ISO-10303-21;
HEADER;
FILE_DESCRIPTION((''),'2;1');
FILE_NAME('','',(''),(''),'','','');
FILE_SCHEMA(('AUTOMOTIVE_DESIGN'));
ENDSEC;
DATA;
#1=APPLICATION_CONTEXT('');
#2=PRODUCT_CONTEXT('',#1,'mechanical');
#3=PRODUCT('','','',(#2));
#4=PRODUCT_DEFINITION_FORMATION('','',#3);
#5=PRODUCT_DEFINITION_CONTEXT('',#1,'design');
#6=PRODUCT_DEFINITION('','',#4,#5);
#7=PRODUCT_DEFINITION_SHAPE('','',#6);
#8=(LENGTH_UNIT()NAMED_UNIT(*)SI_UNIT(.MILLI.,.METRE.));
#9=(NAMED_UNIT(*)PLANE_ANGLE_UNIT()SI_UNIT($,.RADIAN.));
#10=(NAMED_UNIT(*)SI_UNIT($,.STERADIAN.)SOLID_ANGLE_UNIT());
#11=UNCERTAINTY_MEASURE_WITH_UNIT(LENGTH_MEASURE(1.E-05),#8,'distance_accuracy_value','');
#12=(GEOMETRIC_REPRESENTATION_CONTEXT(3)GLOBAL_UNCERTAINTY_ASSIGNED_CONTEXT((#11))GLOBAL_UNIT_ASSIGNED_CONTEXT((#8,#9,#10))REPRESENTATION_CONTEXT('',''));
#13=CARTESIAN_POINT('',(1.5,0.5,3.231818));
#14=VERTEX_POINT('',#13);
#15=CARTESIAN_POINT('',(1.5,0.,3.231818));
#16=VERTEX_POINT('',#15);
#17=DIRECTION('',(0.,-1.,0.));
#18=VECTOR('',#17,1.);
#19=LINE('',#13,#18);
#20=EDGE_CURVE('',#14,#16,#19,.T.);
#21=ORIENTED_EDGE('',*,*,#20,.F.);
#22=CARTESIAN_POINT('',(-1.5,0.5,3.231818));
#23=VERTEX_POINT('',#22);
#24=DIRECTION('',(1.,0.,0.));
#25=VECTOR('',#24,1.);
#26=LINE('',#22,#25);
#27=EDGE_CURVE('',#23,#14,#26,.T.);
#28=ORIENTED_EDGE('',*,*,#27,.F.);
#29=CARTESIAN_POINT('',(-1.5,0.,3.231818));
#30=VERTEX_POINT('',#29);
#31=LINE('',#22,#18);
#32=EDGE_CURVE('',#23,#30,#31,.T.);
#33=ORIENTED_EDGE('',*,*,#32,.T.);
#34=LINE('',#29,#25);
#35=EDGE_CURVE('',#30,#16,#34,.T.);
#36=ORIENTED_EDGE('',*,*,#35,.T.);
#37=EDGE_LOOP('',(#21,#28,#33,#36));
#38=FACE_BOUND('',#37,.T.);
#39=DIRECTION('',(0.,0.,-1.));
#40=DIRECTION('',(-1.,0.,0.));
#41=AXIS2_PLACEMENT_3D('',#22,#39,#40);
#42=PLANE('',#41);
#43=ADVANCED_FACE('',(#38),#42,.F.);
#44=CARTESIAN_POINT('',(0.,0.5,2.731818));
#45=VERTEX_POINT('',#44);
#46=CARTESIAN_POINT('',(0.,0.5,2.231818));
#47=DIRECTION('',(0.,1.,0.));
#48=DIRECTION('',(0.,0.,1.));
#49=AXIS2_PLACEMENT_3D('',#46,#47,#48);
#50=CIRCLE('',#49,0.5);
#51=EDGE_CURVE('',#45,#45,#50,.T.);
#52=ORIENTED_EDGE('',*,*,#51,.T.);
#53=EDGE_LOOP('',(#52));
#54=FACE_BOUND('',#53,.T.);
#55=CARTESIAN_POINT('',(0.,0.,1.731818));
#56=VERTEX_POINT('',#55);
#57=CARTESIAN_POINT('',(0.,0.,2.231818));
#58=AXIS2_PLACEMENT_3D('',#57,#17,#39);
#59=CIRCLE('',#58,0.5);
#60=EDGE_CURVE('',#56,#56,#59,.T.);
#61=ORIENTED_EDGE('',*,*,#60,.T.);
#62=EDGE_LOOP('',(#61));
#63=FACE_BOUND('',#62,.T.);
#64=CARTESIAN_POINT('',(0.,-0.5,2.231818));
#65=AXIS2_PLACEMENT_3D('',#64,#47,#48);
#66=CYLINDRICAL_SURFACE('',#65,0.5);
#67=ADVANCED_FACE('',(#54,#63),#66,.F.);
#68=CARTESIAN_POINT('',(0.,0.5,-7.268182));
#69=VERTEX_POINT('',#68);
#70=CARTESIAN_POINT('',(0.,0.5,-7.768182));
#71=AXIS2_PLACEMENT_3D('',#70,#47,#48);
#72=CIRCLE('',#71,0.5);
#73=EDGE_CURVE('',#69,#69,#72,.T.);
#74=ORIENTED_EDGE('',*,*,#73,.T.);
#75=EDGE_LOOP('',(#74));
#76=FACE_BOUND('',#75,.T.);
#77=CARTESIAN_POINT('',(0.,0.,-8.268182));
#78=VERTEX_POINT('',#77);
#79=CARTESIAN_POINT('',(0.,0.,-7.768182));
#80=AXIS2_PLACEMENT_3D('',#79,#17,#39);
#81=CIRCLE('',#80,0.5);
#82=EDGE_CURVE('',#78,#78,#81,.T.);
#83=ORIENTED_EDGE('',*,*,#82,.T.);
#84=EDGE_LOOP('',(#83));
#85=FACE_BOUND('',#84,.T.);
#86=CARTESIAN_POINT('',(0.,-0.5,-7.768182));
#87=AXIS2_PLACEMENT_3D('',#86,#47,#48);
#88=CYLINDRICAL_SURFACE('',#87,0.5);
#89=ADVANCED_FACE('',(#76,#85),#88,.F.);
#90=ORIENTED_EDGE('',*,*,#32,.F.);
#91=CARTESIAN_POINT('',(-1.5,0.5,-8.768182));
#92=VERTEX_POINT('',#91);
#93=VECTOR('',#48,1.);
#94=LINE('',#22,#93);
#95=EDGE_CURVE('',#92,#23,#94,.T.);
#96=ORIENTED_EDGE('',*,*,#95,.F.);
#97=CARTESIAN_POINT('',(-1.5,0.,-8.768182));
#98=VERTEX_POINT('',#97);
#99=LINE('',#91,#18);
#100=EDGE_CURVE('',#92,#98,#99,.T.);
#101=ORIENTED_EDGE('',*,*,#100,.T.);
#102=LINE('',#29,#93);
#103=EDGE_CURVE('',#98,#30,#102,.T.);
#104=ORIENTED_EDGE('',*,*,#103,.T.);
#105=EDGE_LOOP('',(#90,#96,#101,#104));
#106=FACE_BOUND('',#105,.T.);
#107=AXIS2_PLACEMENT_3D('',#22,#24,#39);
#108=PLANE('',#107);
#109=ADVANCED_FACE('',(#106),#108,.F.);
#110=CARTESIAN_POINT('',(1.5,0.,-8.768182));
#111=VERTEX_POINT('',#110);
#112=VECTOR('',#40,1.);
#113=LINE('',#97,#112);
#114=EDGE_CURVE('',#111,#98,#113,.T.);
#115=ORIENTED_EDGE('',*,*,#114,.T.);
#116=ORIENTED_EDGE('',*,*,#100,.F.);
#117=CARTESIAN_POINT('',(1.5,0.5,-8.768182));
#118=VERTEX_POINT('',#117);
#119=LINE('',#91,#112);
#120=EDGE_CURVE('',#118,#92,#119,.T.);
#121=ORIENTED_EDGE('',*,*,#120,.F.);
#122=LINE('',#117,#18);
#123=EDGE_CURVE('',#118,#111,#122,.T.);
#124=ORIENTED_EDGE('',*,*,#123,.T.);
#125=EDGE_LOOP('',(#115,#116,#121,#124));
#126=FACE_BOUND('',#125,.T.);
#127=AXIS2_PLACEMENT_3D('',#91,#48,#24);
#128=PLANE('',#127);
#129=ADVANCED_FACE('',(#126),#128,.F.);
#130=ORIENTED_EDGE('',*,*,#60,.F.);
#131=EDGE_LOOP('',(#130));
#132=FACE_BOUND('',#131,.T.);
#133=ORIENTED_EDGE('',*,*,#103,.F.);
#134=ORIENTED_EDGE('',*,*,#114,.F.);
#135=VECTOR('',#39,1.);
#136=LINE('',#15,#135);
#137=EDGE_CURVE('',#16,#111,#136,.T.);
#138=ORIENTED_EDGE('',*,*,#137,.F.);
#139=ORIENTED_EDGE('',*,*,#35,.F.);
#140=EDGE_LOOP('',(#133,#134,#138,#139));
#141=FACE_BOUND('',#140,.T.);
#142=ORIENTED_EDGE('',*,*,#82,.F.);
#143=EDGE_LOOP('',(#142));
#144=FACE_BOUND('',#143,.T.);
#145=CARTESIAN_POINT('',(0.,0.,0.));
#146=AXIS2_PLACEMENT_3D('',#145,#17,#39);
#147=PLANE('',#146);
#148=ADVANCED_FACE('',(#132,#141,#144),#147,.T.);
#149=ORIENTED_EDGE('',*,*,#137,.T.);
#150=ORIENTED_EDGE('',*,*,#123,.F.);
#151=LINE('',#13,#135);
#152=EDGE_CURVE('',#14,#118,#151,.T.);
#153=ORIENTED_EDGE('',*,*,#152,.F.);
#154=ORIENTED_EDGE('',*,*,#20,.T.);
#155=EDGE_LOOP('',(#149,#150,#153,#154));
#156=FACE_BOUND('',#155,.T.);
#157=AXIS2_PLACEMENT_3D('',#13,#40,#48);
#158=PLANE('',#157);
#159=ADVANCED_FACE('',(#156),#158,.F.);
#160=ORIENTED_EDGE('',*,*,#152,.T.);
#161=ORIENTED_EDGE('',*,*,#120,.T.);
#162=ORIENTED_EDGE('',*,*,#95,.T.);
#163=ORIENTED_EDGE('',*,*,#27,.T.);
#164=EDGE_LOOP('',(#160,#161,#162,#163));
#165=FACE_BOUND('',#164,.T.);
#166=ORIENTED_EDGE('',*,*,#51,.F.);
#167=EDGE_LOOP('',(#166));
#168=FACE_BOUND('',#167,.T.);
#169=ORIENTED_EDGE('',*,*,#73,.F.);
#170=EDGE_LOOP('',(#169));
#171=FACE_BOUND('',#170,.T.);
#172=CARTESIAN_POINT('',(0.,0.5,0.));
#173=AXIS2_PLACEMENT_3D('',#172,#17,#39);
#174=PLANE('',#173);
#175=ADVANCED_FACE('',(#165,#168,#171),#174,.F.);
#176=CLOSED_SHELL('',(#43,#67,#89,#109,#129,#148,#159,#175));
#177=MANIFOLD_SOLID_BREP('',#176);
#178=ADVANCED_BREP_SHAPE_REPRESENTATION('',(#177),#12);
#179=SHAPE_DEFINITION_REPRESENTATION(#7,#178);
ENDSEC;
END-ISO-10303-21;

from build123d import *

# Parameters (mm, degrees)
SKETCH1_W           = 3
SKETCH1_H           = 12
BOSS_EXTRUDE1_DEPTH = 0.5
SKETCH2_R           = 0.5
CUT_EXTRUDE1_DEPTH  = 1


with BuildPart() as part:
    # Sketch1 → Boss-Extrude1 (new body)
    with BuildSketch(Plane(origin=(0, 0, 0), x_dir=(1, 0, 0), z_dir=(0, 1, 0))):
        with Locations((0, 2.768181818)):
            Rectangle(SKETCH1_W, SKETCH1_H)
    extrude(amount=BOSS_EXTRUDE1_DEPTH)

    # Sketch2 → Cut-Extrude1 (cut)
    with BuildSketch(Plane(origin=(0, 0.5, 0), x_dir=(1, 0, 0), z_dir=(0, 1, 0))):
        with Locations((0, 7.768181818)):
            Circle(SKETCH2_R)
        with Locations((0, -2.231818182)):
            Circle(SKETCH2_R)
    extrude(amount=-CUT_EXTRUDE1_DEPTH, mode=Mode.SUBTRACT)


solid = part.part
